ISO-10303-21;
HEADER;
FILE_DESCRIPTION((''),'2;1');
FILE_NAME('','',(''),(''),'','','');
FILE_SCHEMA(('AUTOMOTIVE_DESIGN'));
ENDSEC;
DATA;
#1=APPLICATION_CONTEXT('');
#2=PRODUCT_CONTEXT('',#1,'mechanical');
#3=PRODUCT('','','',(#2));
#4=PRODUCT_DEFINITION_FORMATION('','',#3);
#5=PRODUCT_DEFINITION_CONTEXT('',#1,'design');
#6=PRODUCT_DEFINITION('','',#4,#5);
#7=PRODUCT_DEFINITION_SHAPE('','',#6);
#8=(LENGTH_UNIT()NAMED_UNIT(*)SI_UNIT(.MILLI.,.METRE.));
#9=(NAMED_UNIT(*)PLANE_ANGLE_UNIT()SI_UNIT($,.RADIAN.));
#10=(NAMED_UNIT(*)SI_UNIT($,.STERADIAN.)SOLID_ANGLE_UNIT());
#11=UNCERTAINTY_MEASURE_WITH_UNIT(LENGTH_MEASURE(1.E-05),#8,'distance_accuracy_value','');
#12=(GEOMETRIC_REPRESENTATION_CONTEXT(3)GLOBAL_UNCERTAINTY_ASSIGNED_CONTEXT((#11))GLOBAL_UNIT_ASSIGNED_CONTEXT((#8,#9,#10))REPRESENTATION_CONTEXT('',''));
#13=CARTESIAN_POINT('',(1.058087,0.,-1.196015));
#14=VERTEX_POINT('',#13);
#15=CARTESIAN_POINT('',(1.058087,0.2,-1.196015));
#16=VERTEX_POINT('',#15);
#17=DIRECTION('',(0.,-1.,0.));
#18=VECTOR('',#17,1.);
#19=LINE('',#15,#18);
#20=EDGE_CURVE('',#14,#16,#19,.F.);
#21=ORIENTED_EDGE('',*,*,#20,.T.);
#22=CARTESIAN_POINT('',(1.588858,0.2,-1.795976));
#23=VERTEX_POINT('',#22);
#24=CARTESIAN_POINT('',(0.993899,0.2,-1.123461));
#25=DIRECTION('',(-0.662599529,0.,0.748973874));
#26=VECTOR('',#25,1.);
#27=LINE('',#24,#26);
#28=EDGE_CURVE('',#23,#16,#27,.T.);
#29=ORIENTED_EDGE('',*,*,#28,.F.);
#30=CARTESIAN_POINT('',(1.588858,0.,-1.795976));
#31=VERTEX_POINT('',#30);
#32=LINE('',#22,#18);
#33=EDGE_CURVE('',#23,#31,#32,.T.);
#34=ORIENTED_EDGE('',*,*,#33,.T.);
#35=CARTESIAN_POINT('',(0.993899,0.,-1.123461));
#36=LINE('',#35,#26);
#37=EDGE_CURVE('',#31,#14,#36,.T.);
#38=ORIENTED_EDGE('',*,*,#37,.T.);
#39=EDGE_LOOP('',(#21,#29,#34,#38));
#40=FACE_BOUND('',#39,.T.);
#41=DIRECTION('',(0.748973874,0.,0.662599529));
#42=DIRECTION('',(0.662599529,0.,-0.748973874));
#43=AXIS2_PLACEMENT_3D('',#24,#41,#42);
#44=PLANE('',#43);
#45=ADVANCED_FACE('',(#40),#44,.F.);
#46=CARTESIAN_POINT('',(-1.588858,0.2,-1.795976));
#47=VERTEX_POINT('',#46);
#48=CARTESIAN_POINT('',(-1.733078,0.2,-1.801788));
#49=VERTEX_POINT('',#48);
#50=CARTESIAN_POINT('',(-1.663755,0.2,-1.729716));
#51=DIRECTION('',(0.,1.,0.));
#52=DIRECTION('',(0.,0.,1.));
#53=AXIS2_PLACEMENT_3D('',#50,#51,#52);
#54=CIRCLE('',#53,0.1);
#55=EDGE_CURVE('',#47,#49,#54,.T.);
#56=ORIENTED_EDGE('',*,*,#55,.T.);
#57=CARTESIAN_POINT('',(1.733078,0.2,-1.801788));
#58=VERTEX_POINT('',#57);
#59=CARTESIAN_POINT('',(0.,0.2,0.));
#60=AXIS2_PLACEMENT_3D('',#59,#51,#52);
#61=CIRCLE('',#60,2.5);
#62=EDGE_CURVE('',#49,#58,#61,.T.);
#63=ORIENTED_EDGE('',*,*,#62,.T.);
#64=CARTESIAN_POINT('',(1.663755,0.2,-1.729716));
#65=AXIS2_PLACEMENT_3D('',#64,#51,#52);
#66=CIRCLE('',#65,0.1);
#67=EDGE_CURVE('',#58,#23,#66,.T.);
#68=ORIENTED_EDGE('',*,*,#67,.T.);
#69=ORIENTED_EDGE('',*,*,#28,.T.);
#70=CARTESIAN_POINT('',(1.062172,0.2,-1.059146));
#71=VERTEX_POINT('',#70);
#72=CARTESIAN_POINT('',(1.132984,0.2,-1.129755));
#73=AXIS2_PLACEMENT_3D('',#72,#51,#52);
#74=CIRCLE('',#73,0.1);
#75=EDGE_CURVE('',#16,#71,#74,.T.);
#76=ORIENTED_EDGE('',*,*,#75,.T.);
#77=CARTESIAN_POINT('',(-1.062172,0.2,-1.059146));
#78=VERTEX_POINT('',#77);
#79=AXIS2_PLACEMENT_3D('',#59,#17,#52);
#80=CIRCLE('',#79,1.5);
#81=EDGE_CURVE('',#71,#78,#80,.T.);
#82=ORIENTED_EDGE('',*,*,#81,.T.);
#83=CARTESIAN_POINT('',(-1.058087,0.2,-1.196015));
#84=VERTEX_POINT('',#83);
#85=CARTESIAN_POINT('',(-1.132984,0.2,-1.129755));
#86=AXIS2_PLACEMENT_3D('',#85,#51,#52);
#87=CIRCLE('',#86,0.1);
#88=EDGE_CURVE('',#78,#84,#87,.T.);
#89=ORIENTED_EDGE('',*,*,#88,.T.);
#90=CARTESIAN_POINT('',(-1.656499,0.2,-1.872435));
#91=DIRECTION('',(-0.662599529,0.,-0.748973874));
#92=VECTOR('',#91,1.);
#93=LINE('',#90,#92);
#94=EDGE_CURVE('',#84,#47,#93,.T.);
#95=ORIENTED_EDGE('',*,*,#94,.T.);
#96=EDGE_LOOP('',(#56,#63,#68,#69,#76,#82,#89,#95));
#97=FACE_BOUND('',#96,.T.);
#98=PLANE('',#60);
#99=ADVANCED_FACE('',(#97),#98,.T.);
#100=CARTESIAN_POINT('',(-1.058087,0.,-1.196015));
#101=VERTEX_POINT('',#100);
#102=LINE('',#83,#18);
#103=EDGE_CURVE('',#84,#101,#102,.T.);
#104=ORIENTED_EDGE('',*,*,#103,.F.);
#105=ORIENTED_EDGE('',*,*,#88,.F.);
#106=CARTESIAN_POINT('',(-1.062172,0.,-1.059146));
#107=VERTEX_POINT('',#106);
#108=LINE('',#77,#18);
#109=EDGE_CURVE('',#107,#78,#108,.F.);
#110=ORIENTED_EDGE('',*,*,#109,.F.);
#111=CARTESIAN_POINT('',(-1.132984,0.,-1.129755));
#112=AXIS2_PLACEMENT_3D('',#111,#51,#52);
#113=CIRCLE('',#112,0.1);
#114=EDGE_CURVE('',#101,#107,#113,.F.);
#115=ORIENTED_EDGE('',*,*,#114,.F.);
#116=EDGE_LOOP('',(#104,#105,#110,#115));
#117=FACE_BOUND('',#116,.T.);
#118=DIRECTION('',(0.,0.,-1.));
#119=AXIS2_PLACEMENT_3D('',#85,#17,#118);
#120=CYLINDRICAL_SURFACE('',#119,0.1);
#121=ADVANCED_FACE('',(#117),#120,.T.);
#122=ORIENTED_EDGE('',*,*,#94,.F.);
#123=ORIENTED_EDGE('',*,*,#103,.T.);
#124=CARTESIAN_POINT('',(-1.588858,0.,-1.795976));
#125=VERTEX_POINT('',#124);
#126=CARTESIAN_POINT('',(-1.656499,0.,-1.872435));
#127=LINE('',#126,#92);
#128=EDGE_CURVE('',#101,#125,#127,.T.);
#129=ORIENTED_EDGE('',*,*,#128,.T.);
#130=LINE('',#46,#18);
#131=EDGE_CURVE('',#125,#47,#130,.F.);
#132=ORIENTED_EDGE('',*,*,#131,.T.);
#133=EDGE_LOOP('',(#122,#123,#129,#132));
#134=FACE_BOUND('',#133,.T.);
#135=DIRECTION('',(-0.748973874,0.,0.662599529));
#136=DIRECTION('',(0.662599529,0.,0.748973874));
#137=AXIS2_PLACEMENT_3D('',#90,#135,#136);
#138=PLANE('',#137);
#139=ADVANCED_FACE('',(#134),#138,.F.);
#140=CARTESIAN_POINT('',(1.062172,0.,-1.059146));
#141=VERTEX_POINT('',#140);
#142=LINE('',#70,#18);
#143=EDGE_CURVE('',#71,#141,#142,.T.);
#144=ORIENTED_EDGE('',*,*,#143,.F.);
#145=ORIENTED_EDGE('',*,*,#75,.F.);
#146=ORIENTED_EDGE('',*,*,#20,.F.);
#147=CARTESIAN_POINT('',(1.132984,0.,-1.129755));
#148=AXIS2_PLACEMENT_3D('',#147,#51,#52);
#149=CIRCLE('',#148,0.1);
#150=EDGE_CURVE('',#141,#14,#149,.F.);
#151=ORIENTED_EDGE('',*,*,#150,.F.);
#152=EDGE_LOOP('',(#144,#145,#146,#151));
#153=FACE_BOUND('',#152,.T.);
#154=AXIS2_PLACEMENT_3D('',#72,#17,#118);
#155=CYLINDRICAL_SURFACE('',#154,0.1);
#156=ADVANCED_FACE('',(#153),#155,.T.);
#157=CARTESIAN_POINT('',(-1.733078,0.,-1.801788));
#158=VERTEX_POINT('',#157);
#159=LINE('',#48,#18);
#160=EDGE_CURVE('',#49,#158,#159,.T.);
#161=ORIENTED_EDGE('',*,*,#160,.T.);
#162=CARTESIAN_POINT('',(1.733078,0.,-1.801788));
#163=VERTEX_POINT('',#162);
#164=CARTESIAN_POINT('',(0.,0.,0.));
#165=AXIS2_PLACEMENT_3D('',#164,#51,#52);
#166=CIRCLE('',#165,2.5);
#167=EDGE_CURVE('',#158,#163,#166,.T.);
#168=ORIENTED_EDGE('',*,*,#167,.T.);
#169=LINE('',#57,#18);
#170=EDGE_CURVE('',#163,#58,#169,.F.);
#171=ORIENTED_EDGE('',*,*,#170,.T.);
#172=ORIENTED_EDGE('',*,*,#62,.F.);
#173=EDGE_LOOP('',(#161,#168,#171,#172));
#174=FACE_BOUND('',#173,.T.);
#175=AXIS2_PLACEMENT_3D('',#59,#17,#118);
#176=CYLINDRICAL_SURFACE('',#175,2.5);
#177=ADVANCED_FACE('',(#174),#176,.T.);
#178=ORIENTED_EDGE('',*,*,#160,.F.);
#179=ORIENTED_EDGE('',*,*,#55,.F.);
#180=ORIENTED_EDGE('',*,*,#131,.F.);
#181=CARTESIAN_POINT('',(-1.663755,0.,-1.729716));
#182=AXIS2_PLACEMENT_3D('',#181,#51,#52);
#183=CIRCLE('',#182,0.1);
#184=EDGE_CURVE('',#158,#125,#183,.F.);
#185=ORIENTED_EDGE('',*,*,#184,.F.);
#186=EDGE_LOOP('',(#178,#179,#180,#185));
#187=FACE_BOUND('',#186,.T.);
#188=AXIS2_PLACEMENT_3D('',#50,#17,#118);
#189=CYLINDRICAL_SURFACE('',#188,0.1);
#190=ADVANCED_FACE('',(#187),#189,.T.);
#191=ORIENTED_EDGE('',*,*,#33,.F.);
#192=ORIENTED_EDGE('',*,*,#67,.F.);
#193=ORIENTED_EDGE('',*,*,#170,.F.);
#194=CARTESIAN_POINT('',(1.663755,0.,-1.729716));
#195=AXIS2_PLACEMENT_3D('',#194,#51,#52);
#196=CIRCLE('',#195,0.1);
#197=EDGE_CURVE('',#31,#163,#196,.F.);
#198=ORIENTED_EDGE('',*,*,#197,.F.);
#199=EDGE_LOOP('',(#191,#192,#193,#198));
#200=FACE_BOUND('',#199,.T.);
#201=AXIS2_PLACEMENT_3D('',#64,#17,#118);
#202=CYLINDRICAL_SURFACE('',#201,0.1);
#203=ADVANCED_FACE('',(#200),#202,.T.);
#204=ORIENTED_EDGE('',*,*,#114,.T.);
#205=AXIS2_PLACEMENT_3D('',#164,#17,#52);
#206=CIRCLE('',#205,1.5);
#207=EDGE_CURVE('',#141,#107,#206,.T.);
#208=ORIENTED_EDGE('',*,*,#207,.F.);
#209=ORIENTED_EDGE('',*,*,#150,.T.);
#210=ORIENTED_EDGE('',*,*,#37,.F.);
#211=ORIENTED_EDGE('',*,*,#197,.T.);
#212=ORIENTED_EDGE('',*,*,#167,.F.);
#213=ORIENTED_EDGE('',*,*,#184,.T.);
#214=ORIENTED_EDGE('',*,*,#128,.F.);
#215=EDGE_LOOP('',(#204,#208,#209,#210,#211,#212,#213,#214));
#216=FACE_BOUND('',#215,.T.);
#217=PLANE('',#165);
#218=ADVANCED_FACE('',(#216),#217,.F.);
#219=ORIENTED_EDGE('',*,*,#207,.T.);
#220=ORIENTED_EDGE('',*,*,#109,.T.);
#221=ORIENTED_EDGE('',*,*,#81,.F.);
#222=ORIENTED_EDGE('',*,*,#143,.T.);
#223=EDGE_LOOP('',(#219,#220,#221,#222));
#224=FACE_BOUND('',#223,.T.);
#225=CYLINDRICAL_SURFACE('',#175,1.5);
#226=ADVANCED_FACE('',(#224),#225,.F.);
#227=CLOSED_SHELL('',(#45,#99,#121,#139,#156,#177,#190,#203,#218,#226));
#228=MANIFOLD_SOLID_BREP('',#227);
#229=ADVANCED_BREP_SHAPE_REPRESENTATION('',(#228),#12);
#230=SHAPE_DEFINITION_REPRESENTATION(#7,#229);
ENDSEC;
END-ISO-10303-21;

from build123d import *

# Parameters (mm, degrees)
BOSS_EXTRUDE1_DEPTH = 0.2
FILLET1_R           = 0.1


with BuildPart() as part:
    # Sketch1 → Boss-Extrude1 (new body)
    with BuildSketch(Plane(origin=(0, 0, 0), x_dir=(1, 0, 0), z_dir=(0, 1, 0))):
        with BuildLine():
            Line((-1.656498823, 1.872434685), (-0.993899294, 1.123460811))
            ThreePointArc((-0.993899294, 1.123460811), (0, -1.5), (0.993899294, 1.123460811))
            Line((0.993899294, 1.123460811), (1.656498823, 1.872434685))
            ThreePointArc((1.656498823, 1.872434685), (0, -2.5), (-1.656498823, 1.872434685))
        make_face()
    extrude(amount=BOSS_EXTRUDE1_DEPTH)

    # Fillet1
    fillet1_edges = [part.edges().sort_by_distance(p)[0] for p in [
        (-1.656498823, 0.1, -1.872434685),
        (-0.993899294, 0.1, -1.123460811),
        (0.993899294, 0.1, -1.123460811),
        (1.656498823, 0.1, -1.872434685),
    ]]
    fillet(fillet1_edges, radius=FILLET1_R)


solid = part.part
